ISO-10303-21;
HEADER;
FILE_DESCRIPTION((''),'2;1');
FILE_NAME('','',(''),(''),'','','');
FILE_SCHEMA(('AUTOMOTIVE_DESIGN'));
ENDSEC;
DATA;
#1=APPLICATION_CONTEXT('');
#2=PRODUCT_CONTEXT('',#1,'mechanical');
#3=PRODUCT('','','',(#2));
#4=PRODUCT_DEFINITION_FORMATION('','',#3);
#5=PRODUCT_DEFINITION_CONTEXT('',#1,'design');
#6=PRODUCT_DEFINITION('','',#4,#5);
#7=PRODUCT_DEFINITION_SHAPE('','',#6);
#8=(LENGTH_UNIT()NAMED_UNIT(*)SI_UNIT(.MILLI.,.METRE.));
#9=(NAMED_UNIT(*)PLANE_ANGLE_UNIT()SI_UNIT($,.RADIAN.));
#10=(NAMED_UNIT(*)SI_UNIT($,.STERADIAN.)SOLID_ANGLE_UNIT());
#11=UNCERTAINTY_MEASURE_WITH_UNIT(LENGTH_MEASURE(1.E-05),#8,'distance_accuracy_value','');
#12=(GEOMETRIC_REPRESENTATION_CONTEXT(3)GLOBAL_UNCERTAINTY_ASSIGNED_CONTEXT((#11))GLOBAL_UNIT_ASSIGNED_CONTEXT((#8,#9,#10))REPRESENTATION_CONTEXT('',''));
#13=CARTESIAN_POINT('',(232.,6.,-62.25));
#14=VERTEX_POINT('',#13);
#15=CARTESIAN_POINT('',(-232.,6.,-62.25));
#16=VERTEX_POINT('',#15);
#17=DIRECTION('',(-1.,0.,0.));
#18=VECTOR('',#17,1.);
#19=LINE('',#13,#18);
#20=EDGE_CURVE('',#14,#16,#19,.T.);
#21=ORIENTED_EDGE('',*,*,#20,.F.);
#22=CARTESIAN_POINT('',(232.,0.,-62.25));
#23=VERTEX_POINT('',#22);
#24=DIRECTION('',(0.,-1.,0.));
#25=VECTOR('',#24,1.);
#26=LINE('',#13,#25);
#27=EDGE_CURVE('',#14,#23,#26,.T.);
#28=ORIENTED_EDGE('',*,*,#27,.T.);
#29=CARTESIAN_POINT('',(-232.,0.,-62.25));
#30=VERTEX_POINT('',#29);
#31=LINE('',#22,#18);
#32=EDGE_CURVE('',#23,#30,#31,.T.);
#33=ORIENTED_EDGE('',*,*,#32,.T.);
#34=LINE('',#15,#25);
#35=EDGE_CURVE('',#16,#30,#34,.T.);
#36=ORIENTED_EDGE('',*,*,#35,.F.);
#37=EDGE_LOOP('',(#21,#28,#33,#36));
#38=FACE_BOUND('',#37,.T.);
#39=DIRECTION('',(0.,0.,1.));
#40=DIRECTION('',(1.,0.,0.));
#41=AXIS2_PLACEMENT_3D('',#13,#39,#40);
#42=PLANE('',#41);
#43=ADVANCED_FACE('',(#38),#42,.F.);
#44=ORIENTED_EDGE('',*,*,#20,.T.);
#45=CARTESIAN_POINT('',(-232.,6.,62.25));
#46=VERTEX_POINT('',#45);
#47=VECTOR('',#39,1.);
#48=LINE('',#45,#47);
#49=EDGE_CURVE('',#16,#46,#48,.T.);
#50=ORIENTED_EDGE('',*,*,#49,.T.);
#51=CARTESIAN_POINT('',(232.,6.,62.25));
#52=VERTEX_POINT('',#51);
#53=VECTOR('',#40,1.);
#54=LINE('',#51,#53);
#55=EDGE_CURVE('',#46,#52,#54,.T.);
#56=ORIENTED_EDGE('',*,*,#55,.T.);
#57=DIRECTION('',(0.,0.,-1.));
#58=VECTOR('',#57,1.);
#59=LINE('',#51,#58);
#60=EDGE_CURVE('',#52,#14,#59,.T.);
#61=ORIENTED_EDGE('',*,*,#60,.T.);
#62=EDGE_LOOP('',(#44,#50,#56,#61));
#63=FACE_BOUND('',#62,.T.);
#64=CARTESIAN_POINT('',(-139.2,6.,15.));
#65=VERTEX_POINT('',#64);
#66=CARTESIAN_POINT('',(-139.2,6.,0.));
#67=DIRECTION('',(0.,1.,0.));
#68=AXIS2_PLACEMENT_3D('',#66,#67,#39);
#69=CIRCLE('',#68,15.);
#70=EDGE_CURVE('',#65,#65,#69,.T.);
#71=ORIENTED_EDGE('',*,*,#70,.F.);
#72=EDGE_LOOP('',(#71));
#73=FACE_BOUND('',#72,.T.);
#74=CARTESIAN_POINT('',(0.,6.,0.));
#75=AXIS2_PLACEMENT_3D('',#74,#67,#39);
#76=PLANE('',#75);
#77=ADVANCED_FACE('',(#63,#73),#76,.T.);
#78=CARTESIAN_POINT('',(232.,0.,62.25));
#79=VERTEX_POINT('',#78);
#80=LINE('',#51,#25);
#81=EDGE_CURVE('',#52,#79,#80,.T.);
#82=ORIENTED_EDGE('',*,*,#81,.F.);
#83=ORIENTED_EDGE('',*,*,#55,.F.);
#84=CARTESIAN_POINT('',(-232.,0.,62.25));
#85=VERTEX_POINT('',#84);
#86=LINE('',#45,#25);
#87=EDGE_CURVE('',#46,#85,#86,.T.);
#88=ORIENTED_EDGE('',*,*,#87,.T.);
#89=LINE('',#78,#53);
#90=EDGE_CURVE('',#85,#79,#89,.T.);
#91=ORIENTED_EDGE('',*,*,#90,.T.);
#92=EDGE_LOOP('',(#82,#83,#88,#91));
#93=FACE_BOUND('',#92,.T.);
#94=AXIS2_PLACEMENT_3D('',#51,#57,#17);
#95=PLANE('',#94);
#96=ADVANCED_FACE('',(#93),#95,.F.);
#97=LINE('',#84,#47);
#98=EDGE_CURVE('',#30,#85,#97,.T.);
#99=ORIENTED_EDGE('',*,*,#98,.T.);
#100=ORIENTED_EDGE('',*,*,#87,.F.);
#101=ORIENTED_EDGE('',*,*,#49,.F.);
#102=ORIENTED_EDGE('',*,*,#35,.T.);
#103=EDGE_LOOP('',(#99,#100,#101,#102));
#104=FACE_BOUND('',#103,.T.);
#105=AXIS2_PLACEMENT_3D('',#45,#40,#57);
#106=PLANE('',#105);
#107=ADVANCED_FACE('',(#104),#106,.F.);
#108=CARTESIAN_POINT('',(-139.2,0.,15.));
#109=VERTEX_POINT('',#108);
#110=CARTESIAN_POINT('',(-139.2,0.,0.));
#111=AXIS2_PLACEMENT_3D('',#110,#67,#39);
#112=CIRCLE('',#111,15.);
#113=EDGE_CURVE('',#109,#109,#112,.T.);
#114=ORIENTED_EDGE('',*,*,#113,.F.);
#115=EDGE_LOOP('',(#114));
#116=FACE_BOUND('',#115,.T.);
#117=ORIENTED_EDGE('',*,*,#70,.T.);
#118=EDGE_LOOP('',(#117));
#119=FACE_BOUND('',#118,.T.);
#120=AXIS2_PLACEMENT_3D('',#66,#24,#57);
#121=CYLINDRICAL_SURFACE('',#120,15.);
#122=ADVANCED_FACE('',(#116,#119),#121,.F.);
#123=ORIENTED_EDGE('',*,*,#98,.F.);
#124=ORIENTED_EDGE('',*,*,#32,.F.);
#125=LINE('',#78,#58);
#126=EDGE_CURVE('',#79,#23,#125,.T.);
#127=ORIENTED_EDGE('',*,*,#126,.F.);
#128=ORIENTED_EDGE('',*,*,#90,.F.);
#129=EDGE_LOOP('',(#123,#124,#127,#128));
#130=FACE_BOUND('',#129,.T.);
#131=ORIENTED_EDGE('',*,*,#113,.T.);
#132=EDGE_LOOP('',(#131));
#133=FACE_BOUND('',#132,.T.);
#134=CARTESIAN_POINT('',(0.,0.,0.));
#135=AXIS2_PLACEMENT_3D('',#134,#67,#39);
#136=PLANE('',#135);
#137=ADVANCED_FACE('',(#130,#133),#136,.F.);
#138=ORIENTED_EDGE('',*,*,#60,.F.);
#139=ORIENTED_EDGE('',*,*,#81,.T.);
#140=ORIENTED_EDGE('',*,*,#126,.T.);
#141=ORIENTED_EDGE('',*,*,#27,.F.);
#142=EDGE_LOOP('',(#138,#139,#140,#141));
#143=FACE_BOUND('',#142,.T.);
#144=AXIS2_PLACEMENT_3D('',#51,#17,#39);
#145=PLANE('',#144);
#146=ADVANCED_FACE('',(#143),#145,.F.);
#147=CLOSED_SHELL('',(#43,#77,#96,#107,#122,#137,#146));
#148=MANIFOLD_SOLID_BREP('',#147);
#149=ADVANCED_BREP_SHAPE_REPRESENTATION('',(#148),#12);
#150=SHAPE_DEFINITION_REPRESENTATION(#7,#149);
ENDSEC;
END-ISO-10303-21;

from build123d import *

# Parameters (mm, degrees)
SKETCH1_W           = 464
SKETCH1_H           = 124.5
SKETCH1_R           = 15
BOSS_EXTRUDE1_DEPTH = 6


with BuildPart() as part:
    # Sketch1 → Boss-Extrude1 (new body)
    with BuildSketch(Plane(origin=(0, 0, 0), x_dir=(1, 0, 0), z_dir=(0, 1, 0))):
        Rectangle(SKETCH1_W, SKETCH1_H)
        with Locations((-139.2, 0)):
            Circle(SKETCH1_R, mode=Mode.SUBTRACT)
    extrude(amount=BOSS_EXTRUDE1_DEPTH)


solid = part.part
